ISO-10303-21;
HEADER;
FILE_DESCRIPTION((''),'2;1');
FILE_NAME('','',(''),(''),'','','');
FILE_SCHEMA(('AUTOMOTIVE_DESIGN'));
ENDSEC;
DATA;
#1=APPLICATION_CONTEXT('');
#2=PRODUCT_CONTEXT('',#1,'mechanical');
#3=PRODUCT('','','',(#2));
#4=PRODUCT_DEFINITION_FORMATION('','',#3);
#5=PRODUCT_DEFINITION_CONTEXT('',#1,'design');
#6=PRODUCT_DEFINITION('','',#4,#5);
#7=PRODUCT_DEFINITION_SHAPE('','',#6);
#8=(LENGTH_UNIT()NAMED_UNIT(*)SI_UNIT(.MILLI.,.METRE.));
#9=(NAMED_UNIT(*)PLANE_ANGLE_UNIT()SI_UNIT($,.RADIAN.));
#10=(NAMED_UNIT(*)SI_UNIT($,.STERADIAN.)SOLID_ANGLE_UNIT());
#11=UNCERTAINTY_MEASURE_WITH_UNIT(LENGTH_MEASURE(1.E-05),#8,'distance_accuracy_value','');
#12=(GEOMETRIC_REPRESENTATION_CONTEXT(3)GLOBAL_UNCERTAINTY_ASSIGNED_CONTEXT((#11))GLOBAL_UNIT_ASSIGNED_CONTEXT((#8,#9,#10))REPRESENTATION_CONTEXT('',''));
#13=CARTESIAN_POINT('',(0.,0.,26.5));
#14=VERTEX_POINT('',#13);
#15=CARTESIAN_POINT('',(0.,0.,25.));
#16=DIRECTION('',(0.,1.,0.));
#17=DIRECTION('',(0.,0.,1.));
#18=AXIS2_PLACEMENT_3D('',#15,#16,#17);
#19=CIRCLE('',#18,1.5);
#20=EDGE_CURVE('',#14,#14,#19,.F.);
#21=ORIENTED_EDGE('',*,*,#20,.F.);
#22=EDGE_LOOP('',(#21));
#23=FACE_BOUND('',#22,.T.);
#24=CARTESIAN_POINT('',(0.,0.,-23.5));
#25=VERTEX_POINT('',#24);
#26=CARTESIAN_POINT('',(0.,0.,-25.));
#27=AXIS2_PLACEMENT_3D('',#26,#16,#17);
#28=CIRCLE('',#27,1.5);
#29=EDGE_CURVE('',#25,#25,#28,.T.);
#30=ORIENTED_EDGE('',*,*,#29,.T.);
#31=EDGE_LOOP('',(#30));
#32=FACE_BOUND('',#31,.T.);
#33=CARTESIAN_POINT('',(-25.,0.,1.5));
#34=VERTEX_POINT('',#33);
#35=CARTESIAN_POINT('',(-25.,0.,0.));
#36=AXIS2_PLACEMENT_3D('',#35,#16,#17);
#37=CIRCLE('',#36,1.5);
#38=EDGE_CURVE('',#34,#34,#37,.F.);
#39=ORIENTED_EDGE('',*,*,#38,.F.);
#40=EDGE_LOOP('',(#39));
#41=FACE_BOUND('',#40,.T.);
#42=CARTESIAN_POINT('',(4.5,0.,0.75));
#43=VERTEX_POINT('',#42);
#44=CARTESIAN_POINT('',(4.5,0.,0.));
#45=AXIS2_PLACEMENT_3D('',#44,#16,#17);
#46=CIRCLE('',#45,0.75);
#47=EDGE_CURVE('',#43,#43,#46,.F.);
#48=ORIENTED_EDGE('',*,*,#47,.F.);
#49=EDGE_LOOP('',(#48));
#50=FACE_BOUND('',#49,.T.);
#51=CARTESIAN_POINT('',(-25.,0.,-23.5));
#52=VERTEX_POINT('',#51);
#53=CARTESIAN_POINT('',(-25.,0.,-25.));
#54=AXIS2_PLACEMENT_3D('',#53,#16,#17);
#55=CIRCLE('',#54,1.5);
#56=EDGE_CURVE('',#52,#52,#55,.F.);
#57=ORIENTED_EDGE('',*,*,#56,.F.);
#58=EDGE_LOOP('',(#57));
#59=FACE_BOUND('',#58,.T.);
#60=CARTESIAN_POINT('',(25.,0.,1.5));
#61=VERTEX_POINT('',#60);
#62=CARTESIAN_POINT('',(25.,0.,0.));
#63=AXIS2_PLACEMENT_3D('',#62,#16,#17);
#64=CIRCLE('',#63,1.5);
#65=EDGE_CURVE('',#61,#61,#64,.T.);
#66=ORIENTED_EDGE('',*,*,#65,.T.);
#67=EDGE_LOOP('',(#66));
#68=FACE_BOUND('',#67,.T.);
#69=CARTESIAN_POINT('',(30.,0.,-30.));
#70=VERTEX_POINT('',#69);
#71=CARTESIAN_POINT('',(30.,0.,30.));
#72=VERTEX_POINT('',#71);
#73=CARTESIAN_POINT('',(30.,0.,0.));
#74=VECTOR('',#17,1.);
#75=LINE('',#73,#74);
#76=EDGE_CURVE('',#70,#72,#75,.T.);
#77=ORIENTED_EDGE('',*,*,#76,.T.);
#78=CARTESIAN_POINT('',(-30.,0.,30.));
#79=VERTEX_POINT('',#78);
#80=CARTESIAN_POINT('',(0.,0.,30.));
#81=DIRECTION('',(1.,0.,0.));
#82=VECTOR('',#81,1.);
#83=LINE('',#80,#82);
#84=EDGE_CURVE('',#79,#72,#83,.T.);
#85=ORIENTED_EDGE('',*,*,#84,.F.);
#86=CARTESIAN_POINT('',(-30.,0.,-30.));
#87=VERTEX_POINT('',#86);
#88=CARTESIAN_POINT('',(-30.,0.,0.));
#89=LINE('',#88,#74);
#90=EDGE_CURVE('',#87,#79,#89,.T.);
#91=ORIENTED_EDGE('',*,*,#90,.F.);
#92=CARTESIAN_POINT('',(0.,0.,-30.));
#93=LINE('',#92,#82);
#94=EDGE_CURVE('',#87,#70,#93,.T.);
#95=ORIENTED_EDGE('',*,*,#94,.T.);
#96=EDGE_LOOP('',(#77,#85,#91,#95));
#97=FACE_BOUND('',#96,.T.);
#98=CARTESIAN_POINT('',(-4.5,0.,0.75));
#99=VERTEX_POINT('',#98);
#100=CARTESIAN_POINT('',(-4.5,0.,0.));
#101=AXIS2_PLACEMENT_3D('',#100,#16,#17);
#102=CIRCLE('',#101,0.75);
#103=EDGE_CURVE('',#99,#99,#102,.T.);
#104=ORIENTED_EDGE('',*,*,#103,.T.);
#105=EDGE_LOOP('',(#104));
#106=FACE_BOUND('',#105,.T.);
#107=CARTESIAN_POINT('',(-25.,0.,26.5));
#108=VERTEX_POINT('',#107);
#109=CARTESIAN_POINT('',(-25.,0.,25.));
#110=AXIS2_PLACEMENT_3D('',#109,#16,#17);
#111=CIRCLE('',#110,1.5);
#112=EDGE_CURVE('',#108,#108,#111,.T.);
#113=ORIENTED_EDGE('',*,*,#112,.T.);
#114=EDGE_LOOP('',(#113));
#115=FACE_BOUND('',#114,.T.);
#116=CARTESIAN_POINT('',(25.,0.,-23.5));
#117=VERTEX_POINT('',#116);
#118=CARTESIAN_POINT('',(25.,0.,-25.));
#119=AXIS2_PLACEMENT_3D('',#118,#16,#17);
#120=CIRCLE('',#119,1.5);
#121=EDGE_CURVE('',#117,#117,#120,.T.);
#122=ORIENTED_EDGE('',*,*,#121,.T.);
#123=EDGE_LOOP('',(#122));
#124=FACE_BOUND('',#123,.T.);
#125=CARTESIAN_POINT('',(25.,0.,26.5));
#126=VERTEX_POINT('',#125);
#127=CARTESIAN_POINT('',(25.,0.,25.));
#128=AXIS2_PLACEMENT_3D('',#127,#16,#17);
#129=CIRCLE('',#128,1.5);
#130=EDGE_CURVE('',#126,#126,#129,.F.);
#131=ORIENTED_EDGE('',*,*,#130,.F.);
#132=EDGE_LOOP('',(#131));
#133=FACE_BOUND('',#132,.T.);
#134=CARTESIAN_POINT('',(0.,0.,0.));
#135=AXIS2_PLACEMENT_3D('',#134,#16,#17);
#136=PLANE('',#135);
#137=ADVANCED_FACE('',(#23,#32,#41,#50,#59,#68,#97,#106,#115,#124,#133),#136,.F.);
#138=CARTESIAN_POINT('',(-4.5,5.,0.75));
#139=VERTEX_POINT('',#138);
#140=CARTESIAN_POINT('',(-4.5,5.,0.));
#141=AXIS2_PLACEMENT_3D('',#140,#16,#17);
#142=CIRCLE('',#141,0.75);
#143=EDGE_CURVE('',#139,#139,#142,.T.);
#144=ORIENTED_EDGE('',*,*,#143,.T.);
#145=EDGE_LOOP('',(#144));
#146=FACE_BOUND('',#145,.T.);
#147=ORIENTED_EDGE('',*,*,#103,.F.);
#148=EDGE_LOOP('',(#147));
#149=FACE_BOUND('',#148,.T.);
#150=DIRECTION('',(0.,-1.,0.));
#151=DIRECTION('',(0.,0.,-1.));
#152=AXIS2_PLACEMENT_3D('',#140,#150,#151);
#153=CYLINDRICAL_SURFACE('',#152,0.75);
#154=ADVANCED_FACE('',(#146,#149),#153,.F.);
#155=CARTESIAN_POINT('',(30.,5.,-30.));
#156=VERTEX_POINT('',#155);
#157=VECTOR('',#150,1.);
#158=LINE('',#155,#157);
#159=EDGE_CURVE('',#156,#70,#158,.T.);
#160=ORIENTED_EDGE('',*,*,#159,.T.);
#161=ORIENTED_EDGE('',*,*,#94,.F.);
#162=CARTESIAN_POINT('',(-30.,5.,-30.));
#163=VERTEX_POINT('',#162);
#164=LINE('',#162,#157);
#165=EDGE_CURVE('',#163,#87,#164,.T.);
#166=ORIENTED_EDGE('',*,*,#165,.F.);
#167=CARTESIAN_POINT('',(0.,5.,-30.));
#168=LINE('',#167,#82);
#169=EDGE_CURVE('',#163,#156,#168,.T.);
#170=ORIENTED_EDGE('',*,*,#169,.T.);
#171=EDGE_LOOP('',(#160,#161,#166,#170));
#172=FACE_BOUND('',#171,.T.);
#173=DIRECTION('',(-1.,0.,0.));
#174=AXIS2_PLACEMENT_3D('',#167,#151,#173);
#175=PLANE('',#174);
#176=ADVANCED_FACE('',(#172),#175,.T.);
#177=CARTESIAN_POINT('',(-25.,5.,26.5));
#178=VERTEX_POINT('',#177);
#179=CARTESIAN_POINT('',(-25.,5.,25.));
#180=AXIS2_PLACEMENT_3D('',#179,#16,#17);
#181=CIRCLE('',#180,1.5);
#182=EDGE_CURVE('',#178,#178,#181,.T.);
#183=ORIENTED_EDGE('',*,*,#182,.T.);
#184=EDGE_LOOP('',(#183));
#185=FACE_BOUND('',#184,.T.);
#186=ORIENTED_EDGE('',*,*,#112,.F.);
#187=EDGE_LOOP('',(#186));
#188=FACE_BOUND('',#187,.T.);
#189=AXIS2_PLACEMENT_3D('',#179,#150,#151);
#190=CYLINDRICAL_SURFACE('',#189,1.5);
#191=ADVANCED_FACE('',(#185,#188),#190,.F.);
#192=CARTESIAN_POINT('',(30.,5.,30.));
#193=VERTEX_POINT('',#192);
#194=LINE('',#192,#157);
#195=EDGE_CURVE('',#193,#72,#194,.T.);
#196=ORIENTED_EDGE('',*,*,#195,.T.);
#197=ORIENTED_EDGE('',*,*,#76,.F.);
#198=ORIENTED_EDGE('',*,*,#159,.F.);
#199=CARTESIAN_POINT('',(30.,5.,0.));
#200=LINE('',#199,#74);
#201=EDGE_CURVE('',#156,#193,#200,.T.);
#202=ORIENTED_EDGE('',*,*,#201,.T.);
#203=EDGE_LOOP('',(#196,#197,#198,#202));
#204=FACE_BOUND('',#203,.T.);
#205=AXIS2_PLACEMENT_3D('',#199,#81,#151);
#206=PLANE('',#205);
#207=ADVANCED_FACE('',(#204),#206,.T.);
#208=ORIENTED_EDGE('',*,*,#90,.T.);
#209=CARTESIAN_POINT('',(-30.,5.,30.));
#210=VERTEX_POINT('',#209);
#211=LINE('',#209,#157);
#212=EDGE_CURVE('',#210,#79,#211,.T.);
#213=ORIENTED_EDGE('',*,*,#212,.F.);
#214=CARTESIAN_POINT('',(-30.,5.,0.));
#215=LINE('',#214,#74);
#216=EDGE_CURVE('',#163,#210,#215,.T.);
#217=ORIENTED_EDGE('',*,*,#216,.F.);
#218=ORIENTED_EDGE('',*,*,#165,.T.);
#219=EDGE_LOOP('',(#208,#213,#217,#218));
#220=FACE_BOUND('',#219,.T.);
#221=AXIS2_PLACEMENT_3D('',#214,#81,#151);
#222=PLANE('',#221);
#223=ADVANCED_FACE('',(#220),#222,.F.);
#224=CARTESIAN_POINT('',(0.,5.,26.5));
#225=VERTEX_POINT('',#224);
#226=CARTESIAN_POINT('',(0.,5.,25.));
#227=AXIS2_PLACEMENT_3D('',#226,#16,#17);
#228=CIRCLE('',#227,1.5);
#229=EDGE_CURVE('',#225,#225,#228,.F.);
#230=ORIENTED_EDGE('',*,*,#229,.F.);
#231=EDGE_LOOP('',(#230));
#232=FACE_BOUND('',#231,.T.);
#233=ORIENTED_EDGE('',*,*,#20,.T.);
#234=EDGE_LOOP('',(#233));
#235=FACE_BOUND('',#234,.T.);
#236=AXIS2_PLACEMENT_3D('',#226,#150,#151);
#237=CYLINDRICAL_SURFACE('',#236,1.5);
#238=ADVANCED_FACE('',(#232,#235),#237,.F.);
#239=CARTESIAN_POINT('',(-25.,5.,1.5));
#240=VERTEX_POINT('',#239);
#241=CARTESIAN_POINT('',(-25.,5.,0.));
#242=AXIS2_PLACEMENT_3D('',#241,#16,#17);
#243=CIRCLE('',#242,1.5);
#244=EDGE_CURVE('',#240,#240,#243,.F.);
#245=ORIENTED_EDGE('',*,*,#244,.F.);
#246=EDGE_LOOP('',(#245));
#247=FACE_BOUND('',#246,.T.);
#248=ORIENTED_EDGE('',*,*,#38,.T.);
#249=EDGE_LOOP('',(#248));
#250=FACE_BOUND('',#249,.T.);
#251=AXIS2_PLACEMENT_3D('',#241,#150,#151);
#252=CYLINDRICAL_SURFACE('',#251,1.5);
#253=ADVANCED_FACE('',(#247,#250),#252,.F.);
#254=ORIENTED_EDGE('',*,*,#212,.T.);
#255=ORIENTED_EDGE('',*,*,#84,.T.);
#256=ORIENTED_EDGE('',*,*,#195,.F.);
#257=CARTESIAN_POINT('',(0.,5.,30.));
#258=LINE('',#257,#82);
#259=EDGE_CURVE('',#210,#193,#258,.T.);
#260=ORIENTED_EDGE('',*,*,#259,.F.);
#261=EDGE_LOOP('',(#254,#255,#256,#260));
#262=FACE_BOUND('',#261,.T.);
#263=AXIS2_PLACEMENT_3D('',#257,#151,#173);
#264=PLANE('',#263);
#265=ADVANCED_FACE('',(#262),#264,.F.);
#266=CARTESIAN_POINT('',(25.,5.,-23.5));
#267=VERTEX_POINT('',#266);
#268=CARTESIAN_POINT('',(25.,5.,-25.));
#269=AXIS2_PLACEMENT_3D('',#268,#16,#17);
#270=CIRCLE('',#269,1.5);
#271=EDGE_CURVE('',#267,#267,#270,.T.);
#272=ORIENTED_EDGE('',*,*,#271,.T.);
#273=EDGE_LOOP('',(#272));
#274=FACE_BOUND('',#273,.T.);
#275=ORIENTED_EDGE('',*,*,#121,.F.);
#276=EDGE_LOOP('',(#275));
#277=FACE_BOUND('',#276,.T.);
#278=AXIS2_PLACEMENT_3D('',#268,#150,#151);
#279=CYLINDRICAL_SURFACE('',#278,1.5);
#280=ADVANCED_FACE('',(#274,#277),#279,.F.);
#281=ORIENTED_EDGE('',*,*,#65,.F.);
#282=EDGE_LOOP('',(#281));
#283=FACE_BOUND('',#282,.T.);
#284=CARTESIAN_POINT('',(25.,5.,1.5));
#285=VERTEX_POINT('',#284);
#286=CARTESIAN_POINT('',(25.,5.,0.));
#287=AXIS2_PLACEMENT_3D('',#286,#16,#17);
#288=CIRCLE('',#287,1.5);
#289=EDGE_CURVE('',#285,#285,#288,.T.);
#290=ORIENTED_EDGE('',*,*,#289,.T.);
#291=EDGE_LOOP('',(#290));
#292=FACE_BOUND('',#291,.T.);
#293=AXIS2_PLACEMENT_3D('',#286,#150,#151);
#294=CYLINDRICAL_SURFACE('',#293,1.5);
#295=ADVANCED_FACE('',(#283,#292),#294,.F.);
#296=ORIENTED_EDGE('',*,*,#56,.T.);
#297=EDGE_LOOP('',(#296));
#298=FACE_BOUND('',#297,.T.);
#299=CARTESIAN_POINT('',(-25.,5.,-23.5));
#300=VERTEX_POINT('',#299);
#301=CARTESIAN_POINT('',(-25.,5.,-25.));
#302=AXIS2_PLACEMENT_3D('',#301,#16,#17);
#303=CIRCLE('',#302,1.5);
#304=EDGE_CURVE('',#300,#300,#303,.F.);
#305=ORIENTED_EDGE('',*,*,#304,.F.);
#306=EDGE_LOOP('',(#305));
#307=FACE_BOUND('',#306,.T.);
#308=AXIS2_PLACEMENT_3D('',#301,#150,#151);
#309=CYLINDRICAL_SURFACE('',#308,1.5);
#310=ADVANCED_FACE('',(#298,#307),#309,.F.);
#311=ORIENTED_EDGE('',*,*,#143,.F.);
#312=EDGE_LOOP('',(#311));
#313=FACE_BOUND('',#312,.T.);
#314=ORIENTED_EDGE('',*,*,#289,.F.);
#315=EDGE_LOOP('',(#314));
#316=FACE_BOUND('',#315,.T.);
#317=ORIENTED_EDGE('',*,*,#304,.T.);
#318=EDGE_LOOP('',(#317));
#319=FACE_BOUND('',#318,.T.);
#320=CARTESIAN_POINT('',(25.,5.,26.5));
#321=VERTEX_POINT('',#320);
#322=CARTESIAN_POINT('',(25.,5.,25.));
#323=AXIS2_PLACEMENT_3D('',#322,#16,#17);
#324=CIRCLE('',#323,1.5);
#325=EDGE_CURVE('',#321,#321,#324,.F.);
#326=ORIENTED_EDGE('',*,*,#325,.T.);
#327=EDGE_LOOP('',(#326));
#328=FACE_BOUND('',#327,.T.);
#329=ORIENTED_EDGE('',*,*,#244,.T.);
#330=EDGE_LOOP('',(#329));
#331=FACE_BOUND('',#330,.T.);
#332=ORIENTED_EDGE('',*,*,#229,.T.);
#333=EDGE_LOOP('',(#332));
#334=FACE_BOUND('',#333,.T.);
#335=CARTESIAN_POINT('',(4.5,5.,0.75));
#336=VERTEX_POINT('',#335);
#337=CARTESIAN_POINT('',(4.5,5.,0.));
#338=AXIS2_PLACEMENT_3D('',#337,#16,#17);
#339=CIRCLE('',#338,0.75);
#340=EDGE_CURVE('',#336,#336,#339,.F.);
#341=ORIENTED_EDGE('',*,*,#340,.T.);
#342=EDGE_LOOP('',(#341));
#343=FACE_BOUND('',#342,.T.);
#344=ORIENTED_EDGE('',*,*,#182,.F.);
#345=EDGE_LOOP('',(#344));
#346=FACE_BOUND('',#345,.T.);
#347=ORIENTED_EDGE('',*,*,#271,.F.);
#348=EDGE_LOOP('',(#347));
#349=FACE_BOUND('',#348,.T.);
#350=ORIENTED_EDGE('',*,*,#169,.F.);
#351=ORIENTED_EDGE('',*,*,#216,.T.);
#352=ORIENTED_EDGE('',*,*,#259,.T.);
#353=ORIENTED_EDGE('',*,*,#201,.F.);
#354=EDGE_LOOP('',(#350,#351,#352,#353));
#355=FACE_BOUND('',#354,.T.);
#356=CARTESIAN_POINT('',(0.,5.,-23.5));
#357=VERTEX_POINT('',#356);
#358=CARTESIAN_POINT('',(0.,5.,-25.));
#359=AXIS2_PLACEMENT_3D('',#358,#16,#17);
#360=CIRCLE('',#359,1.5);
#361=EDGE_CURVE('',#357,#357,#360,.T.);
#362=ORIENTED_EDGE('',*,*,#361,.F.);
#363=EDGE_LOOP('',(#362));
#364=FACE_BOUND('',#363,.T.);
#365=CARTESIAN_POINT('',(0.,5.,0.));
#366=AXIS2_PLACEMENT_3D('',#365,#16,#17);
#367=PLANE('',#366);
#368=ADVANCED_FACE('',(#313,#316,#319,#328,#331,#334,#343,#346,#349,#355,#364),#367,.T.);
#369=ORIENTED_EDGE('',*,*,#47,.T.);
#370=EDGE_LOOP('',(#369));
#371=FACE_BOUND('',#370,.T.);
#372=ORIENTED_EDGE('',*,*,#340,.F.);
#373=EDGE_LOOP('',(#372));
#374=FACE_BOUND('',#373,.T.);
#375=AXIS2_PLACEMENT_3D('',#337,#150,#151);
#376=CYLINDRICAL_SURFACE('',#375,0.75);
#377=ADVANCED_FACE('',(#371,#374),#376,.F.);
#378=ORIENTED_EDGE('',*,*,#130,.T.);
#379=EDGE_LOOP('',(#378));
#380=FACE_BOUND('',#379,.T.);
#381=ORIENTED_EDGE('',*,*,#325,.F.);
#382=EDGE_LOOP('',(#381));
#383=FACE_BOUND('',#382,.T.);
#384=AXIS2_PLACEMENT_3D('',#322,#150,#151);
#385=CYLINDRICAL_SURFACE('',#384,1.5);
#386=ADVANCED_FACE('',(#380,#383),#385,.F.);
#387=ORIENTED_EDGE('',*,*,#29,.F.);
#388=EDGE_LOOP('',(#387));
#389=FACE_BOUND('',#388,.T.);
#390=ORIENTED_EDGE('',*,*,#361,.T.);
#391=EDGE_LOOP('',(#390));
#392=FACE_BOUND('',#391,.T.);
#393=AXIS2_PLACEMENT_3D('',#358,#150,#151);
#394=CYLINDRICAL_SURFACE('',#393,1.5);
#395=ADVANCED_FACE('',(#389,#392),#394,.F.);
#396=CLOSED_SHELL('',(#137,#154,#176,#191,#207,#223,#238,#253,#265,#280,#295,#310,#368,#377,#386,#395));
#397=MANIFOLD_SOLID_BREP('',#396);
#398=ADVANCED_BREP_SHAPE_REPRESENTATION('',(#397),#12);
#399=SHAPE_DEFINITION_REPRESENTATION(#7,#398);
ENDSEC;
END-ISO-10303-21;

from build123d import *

# Parameters (mm, degrees)
SKETCH1_W           = 60
SKETCH1_H           = 60
SKETCH1_R           = 1.5
SKETCH1_R_2         = 0.75
BOSS_EXTRUDE1_DEPTH = 5


with BuildPart() as part:
    # Sketch1 → Boss-Extrude1 (new body)
    with BuildSketch(Plane(origin=(0, 0, 0), x_dir=(1, 0, 0), z_dir=(0, 1, 0))):
        Rectangle(SKETCH1_W, SKETCH1_H)
        with Locations(Location((25, 25, 0), (0, 0, 270))):
            Circle(SKETCH1_R, mode=Mode.SUBTRACT)
        with Locations(Location((25, -25, 0), (0, 0, 270))):
            Circle(SKETCH1_R, mode=Mode.SUBTRACT)
        with Locations(Location((-25, -25, 0), (0, 0, 270))):
            Circle(SKETCH1_R, mode=Mode.SUBTRACT)
        with Locations(Location((-25, 25, 0), (0, 0, 270))):
            Circle(SKETCH1_R, mode=Mode.SUBTRACT)
        with Locations(Location((0, 25, 0), (0, 0, 270))):
            Circle(SKETCH1_R, mode=Mode.SUBTRACT)
        with Locations(Location((25, 0, 0), (0, 0, 270))):
            Circle(SKETCH1_R, mode=Mode.SUBTRACT)
        with Locations(Location((-25, 0, 0), (0, 0, 270))):
            Circle(SKETCH1_R, mode=Mode.SUBTRACT)
        with Locations(Location((0, -25, 0), (0, 0, 270))):
            Circle(SKETCH1_R, mode=Mode.SUBTRACT)
        with Locations(Location((-4.5, 0, 0), (0, 0, 270))):
            Circle(SKETCH1_R_2, mode=Mode.SUBTRACT)
        with Locations(Location((4.5, 0, 0), (0, 0, 270))):
            Circle(SKETCH1_R_2, mode=Mode.SUBTRACT)
    extrude(amount=BOSS_EXTRUDE1_DEPTH)


solid = part.part
